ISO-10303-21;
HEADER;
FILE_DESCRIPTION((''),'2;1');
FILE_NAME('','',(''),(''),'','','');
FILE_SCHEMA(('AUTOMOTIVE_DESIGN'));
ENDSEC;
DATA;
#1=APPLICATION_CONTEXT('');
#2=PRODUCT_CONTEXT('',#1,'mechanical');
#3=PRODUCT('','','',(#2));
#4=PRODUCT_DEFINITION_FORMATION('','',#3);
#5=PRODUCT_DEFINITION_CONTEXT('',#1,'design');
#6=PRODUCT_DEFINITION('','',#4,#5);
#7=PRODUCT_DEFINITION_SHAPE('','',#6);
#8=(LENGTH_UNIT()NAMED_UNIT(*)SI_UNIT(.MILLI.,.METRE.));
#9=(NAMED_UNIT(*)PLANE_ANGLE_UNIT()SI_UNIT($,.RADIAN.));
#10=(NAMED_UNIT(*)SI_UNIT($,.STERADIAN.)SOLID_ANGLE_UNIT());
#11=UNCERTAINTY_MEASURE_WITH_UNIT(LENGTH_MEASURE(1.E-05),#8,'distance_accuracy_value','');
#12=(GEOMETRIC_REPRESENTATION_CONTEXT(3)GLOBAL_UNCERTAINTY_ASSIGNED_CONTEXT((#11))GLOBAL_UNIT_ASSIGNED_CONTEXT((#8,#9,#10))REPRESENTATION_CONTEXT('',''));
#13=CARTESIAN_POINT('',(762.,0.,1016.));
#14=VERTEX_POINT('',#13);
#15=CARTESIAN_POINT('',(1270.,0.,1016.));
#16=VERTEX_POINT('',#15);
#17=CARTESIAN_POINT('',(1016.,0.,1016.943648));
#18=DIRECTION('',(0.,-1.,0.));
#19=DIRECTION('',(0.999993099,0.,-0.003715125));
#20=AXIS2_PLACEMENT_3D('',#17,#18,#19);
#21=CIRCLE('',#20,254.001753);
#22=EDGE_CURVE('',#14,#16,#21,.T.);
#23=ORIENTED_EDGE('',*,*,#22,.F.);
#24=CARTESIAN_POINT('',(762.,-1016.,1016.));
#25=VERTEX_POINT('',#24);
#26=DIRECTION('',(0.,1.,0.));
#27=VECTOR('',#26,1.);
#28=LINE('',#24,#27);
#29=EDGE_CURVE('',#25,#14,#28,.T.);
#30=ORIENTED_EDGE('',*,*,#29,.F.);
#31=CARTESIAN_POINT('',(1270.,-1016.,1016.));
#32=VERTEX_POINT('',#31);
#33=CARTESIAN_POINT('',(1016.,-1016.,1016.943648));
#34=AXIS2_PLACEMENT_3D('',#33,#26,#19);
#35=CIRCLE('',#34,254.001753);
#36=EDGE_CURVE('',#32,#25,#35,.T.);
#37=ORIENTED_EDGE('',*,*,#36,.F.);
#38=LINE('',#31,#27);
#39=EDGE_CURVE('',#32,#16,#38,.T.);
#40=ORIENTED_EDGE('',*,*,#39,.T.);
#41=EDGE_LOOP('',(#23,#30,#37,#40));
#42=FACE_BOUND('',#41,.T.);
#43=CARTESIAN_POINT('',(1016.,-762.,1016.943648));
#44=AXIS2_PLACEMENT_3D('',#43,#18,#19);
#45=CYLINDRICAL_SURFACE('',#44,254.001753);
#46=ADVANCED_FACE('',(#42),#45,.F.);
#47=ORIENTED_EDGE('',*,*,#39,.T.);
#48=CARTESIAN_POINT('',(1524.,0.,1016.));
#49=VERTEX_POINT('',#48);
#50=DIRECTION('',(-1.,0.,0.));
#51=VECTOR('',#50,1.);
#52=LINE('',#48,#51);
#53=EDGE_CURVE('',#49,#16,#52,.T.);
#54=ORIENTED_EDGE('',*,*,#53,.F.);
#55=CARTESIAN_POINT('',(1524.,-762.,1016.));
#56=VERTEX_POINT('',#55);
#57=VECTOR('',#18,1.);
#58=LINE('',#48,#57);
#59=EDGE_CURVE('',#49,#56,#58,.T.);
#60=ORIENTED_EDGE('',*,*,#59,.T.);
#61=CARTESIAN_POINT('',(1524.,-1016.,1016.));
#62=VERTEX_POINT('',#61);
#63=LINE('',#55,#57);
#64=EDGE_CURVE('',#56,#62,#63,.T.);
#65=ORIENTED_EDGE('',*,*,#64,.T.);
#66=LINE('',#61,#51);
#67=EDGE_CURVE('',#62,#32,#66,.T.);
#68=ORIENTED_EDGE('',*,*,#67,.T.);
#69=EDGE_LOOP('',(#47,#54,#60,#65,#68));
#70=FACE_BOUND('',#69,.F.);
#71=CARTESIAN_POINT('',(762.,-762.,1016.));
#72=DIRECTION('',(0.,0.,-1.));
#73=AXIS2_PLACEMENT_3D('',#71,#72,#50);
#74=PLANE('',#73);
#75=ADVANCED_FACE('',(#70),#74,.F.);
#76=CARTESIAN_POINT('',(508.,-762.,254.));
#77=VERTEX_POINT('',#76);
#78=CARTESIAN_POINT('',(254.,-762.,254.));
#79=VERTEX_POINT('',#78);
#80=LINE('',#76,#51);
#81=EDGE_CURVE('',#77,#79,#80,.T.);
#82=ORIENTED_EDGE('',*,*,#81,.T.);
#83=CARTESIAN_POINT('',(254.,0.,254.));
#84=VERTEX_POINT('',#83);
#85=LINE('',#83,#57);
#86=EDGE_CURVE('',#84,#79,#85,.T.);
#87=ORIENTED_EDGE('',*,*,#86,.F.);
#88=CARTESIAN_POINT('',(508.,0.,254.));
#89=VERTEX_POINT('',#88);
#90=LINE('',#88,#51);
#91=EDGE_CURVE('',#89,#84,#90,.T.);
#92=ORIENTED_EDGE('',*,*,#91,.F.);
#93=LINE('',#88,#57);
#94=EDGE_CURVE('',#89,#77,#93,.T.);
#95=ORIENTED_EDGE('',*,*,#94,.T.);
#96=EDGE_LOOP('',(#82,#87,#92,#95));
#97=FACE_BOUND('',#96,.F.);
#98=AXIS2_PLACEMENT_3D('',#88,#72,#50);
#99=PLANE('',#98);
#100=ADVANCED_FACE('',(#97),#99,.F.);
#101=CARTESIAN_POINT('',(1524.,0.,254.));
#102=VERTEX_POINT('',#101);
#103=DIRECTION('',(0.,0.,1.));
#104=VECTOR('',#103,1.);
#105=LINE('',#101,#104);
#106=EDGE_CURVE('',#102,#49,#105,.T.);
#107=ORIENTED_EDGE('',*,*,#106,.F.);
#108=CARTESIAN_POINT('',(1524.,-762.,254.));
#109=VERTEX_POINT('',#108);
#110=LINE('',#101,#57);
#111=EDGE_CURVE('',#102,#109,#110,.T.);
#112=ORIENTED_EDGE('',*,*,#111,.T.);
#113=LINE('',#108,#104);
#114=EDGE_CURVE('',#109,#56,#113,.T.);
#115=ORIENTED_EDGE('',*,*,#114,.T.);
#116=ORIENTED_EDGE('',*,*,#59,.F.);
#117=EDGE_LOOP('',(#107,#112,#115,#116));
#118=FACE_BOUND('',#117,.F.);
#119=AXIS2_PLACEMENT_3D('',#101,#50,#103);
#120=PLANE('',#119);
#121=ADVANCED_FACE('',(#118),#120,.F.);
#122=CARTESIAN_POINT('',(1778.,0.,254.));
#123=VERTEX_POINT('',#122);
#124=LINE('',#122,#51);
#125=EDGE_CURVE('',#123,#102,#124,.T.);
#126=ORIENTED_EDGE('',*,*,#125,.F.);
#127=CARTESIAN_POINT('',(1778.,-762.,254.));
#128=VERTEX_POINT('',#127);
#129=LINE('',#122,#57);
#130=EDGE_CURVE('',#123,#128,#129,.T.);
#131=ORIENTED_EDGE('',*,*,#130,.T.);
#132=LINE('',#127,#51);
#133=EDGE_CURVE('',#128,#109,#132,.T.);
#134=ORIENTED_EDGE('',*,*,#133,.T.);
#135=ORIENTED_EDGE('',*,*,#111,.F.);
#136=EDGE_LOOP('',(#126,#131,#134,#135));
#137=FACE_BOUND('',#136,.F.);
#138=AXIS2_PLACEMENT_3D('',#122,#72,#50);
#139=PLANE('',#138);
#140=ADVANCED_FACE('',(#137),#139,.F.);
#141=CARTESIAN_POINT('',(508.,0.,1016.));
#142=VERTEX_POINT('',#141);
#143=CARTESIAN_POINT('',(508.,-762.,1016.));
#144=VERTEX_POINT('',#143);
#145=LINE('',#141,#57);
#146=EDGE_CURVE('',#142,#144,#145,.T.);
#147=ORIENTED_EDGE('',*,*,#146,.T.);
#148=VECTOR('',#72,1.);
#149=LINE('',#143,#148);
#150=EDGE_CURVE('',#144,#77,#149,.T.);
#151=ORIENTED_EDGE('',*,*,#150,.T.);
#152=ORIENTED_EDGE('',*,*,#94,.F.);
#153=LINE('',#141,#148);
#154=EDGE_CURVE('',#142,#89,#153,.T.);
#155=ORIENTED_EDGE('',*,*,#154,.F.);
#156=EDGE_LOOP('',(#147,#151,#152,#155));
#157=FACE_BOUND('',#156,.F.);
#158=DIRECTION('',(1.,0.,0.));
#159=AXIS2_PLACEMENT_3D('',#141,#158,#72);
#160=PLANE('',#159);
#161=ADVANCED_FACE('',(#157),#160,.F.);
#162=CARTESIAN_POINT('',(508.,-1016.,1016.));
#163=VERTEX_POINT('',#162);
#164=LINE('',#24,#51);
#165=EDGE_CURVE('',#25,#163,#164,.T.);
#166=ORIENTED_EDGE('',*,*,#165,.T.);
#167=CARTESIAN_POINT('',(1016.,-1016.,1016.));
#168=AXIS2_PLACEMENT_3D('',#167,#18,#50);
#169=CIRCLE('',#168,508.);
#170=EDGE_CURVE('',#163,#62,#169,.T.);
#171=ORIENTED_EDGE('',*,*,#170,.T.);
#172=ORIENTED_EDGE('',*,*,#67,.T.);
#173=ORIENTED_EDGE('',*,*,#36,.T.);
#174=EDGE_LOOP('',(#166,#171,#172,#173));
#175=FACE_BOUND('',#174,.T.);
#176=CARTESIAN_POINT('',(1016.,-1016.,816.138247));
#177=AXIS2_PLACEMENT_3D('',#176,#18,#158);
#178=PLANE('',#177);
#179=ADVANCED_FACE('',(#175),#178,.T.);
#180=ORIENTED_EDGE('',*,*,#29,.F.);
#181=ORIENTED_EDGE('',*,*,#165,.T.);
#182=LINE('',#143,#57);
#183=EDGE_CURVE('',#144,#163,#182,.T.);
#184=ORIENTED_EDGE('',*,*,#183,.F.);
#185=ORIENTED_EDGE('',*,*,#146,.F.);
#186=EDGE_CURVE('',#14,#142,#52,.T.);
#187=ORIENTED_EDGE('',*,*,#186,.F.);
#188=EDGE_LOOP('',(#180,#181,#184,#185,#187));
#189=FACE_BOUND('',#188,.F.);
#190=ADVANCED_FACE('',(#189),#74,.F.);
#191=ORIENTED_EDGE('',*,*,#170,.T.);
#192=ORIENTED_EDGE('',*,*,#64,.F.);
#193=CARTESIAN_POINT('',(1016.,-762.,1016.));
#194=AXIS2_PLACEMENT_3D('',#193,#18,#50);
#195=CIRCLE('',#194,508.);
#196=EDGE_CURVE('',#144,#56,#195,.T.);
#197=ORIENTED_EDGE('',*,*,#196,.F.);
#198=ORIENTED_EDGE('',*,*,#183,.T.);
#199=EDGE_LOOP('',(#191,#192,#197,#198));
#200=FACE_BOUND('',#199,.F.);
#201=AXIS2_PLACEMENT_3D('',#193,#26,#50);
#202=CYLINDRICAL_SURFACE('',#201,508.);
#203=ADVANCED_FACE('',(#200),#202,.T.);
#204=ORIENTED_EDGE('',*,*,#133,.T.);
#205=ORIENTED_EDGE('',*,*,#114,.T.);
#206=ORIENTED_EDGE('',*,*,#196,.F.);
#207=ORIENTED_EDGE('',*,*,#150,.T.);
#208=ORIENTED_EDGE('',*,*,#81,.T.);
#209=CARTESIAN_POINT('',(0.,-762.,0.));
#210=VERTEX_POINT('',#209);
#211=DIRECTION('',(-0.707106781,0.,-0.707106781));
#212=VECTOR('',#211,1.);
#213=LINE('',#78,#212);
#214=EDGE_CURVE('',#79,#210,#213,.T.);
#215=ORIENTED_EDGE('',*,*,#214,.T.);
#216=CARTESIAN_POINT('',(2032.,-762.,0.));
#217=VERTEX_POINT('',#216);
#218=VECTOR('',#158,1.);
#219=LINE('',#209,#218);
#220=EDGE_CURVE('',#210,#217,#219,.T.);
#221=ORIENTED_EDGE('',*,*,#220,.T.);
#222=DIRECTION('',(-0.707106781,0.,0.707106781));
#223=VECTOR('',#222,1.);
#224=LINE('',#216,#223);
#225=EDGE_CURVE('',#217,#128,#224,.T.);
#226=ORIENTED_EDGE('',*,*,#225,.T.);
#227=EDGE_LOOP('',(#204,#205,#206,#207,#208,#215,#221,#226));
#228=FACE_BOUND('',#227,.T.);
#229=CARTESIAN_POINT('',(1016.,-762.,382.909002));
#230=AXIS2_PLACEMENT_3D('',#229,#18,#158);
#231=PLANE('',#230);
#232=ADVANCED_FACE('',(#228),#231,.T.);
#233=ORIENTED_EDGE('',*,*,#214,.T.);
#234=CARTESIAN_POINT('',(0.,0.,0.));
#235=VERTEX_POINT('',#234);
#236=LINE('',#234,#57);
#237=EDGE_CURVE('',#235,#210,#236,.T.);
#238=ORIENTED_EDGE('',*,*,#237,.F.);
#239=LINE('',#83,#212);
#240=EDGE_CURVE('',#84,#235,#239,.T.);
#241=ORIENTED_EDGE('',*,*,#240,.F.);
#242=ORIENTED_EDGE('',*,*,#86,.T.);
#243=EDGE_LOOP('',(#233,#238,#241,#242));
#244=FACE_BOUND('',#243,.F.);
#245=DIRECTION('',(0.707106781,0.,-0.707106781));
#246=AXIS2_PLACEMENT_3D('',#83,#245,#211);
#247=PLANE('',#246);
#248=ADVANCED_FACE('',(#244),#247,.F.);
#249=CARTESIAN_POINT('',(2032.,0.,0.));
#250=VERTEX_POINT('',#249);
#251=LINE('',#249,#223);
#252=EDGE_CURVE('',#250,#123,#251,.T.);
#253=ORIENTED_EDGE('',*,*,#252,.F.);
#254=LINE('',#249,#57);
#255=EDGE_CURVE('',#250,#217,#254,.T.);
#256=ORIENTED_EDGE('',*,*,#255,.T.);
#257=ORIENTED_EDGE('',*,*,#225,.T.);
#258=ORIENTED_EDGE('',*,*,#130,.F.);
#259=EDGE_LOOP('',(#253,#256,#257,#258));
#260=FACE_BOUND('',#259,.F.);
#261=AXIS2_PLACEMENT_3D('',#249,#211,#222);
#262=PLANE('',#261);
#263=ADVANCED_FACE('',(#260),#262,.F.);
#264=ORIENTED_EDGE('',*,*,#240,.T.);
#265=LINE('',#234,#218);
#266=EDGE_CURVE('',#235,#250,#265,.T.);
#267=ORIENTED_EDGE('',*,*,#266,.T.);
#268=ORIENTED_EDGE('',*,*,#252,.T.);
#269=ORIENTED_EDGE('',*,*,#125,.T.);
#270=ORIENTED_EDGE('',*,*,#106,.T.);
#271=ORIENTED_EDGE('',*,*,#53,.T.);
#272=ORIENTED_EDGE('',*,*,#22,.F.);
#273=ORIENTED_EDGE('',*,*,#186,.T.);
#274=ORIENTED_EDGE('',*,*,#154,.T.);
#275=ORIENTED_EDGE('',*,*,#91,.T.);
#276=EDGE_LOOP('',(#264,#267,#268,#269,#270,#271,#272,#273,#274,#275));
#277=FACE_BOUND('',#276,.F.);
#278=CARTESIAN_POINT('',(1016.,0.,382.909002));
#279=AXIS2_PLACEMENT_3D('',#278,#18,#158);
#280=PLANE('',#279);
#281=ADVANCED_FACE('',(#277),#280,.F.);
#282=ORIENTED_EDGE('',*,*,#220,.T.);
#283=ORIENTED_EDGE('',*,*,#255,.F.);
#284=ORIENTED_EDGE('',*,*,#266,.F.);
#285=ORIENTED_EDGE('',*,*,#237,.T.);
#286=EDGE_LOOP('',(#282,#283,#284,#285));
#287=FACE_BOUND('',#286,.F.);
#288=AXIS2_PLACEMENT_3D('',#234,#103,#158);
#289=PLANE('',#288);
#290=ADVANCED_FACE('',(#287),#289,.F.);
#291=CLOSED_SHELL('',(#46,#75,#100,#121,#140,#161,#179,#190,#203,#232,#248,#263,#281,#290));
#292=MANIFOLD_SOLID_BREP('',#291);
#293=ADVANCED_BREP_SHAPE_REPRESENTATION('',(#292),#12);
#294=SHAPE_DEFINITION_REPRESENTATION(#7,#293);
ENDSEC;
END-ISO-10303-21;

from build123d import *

# Parameters (mm, degrees)
F1_DEPTH = 762
F3_DEPTH = 254
F4_DEPTH = 1143


with BuildPart() as f1:
    # F0 (on Front) → F1 (new body)
    with BuildSketch(Plane.XZ):
        Polygon((254, 254), (0, 0), (2032, 0), (1778, 254), (1524, 254), (1524, 1016), (508, 1016), (508, 254), align=None)
    extrude(amount=F1_DEPTH)

    # F2 (on face) → F3 (join)
    with BuildSketch(Plane.XZ.offset(762)):
        with BuildLine():
            Line((762, 1016), (508, 1016))
            ThreePointArc((508, 1016), (1016, 508), (1524, 1016))
            Line((1524, 1016), (1270, 1016))
            ThreePointArc((1270, 1016), (1016, 762.9418953538), (762, 1016))
        make_face()
    extrude(amount=F3_DEPTH)

    # F4 (cut): a face of the model
    f4_faces = [f1.faces().sort_by_distance(p)[0] for p in [
        (1016, -762, 908.631847947),
    ]]
    extrude(f4_faces, amount=-F4_DEPTH, mode=Mode.SUBTRACT)


solid = f1.part
